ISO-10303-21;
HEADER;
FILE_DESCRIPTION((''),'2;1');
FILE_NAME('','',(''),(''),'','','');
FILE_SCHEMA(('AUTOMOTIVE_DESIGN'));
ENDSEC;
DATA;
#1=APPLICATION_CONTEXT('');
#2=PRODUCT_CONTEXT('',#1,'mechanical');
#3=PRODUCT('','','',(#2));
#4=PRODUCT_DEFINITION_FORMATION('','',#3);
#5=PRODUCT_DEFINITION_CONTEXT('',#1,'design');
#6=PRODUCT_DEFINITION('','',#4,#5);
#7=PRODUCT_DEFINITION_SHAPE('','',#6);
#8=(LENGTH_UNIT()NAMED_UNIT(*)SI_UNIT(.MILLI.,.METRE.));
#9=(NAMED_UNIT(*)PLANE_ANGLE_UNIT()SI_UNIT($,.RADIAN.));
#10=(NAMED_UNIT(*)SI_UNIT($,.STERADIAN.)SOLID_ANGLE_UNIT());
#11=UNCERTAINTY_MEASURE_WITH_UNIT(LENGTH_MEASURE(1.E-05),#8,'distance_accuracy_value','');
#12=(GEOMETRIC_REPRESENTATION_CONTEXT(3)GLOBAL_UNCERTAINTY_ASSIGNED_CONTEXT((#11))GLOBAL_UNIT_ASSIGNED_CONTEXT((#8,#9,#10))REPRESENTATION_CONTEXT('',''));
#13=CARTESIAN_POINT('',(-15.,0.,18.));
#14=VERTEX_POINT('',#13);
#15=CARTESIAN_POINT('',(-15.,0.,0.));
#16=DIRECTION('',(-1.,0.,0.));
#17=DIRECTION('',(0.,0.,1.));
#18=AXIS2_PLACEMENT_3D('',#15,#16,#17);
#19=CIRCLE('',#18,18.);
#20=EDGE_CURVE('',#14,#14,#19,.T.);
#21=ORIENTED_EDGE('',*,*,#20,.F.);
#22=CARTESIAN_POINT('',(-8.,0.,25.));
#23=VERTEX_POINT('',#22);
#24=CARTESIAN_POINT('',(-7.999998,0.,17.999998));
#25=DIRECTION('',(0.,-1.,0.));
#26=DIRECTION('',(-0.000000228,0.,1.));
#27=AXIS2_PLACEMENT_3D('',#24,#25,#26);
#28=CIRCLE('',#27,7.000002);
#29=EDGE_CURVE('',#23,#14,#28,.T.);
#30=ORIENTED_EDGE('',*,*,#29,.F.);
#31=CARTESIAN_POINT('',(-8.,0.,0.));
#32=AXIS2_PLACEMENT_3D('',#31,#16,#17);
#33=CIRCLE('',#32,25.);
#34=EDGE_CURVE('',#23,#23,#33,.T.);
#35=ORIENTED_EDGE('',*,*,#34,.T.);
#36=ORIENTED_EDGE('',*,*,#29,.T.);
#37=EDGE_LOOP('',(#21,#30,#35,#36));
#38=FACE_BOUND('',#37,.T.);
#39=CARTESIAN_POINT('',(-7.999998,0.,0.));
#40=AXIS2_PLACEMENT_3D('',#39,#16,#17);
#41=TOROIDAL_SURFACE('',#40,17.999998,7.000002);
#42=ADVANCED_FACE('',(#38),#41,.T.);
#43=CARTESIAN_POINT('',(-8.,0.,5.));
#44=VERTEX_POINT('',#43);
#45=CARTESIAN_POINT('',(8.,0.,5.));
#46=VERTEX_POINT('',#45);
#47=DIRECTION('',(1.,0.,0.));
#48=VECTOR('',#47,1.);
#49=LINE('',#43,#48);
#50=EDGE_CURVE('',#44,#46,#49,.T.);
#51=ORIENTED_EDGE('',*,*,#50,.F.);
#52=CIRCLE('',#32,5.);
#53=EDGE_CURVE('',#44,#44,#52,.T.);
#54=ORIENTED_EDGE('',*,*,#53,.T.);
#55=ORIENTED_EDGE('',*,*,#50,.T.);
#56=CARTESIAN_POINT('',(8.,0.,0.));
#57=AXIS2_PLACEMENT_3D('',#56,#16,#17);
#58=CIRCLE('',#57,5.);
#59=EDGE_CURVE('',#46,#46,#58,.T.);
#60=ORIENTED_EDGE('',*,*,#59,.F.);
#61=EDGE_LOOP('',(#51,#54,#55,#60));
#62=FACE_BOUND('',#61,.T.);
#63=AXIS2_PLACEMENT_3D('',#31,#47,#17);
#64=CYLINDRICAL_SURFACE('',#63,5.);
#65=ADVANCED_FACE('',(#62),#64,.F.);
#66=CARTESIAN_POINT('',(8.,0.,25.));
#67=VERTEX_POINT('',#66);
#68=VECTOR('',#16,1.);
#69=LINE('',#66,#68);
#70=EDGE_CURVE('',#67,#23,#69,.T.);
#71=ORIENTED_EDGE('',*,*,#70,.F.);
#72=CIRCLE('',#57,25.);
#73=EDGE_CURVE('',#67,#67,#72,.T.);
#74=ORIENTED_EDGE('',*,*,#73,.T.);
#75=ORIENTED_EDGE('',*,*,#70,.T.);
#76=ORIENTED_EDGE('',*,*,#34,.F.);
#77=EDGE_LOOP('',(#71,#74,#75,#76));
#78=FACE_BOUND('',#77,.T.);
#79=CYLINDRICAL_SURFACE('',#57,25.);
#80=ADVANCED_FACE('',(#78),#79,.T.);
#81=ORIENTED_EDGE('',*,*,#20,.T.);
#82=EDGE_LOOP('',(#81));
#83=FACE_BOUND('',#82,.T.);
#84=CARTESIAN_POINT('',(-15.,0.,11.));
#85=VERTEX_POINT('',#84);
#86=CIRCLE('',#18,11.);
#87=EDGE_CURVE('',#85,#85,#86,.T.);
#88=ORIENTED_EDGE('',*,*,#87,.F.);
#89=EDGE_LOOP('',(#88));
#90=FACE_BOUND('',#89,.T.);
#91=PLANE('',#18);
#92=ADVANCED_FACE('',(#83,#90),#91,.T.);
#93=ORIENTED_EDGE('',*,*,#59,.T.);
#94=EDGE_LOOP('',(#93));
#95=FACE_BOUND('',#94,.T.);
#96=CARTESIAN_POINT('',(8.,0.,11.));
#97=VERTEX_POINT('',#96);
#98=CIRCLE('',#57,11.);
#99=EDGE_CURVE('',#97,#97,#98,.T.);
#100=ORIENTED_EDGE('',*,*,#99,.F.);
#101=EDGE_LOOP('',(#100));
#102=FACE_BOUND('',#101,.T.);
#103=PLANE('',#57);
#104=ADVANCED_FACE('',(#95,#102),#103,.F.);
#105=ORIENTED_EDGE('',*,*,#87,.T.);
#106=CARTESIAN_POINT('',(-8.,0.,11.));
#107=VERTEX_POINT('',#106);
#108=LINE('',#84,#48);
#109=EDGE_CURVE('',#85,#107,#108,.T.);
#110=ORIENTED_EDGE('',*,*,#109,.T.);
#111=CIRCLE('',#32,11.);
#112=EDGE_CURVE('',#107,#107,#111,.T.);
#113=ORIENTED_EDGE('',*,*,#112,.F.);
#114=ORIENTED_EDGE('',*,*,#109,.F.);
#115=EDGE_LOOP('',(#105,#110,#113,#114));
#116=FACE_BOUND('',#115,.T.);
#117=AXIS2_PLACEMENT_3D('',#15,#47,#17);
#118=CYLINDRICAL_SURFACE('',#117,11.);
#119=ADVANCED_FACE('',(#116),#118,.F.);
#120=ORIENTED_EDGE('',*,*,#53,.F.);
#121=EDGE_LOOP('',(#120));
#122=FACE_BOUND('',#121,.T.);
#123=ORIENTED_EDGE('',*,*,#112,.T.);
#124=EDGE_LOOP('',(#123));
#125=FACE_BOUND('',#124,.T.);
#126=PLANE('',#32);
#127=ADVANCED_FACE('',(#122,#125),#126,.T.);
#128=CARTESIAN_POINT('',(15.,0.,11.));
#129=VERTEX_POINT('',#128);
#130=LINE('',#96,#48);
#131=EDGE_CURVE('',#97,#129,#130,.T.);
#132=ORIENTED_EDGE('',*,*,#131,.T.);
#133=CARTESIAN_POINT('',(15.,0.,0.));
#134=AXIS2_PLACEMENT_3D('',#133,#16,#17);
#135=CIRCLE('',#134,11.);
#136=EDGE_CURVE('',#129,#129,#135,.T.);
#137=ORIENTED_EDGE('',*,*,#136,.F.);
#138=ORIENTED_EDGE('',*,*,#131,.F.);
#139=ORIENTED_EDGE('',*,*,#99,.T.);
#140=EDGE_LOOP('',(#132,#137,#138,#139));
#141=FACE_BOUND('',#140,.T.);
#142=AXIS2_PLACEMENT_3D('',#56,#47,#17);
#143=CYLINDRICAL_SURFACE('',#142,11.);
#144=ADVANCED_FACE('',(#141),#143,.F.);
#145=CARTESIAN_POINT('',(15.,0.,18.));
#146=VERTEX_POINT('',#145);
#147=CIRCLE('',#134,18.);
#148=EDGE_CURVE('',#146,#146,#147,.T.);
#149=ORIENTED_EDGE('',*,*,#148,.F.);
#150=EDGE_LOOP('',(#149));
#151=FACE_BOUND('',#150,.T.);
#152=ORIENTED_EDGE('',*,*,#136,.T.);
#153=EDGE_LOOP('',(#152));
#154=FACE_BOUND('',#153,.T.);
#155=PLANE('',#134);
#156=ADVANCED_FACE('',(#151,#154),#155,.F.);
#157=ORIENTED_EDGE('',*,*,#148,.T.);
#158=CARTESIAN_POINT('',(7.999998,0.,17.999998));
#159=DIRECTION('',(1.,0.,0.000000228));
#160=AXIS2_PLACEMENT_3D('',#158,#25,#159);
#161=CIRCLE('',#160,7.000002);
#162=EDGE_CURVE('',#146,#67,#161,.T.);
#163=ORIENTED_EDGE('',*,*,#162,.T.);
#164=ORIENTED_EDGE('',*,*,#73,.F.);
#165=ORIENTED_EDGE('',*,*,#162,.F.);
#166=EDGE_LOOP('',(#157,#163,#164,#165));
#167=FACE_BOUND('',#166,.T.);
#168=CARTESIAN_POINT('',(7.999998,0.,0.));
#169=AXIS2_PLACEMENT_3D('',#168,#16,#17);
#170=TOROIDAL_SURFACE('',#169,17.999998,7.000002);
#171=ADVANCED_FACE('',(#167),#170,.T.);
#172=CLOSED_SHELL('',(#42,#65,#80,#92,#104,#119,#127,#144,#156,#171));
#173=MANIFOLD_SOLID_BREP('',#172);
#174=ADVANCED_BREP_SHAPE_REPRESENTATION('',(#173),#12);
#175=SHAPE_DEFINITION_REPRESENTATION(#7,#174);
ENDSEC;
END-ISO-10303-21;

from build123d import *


with BuildPart() as f1:
    # F0 (on Front) → F1 (revolve)
    with BuildSketch(Plane.XZ):
        with BuildLine():
            Line((-15, 11), (-8, 11))
            Line((-8, 11), (-8, 5))
            Line((-8, 5), (0, 5))
            Line((0, 5), (8, 5))
            Line((8, 5), (8, 11))
            Line((8, 11), (15, 11))
            Line((15, 11), (15, 18))
            ThreePointArc((15, 18), (12.949747, 22.949747), (8, 25))
            Line((8, 25), (0, 25))
            Line((0, 25), (-8, 25))
            ThreePointArc((-8, 25), (-12.949747, 22.949747), (-15, 18))
            Line((-15, 18), (-15, 11))
        make_face()
    revolve(axis=Axis((-7.656248, 0, 0), (-1, 0, 0)))


solid = f1.part
